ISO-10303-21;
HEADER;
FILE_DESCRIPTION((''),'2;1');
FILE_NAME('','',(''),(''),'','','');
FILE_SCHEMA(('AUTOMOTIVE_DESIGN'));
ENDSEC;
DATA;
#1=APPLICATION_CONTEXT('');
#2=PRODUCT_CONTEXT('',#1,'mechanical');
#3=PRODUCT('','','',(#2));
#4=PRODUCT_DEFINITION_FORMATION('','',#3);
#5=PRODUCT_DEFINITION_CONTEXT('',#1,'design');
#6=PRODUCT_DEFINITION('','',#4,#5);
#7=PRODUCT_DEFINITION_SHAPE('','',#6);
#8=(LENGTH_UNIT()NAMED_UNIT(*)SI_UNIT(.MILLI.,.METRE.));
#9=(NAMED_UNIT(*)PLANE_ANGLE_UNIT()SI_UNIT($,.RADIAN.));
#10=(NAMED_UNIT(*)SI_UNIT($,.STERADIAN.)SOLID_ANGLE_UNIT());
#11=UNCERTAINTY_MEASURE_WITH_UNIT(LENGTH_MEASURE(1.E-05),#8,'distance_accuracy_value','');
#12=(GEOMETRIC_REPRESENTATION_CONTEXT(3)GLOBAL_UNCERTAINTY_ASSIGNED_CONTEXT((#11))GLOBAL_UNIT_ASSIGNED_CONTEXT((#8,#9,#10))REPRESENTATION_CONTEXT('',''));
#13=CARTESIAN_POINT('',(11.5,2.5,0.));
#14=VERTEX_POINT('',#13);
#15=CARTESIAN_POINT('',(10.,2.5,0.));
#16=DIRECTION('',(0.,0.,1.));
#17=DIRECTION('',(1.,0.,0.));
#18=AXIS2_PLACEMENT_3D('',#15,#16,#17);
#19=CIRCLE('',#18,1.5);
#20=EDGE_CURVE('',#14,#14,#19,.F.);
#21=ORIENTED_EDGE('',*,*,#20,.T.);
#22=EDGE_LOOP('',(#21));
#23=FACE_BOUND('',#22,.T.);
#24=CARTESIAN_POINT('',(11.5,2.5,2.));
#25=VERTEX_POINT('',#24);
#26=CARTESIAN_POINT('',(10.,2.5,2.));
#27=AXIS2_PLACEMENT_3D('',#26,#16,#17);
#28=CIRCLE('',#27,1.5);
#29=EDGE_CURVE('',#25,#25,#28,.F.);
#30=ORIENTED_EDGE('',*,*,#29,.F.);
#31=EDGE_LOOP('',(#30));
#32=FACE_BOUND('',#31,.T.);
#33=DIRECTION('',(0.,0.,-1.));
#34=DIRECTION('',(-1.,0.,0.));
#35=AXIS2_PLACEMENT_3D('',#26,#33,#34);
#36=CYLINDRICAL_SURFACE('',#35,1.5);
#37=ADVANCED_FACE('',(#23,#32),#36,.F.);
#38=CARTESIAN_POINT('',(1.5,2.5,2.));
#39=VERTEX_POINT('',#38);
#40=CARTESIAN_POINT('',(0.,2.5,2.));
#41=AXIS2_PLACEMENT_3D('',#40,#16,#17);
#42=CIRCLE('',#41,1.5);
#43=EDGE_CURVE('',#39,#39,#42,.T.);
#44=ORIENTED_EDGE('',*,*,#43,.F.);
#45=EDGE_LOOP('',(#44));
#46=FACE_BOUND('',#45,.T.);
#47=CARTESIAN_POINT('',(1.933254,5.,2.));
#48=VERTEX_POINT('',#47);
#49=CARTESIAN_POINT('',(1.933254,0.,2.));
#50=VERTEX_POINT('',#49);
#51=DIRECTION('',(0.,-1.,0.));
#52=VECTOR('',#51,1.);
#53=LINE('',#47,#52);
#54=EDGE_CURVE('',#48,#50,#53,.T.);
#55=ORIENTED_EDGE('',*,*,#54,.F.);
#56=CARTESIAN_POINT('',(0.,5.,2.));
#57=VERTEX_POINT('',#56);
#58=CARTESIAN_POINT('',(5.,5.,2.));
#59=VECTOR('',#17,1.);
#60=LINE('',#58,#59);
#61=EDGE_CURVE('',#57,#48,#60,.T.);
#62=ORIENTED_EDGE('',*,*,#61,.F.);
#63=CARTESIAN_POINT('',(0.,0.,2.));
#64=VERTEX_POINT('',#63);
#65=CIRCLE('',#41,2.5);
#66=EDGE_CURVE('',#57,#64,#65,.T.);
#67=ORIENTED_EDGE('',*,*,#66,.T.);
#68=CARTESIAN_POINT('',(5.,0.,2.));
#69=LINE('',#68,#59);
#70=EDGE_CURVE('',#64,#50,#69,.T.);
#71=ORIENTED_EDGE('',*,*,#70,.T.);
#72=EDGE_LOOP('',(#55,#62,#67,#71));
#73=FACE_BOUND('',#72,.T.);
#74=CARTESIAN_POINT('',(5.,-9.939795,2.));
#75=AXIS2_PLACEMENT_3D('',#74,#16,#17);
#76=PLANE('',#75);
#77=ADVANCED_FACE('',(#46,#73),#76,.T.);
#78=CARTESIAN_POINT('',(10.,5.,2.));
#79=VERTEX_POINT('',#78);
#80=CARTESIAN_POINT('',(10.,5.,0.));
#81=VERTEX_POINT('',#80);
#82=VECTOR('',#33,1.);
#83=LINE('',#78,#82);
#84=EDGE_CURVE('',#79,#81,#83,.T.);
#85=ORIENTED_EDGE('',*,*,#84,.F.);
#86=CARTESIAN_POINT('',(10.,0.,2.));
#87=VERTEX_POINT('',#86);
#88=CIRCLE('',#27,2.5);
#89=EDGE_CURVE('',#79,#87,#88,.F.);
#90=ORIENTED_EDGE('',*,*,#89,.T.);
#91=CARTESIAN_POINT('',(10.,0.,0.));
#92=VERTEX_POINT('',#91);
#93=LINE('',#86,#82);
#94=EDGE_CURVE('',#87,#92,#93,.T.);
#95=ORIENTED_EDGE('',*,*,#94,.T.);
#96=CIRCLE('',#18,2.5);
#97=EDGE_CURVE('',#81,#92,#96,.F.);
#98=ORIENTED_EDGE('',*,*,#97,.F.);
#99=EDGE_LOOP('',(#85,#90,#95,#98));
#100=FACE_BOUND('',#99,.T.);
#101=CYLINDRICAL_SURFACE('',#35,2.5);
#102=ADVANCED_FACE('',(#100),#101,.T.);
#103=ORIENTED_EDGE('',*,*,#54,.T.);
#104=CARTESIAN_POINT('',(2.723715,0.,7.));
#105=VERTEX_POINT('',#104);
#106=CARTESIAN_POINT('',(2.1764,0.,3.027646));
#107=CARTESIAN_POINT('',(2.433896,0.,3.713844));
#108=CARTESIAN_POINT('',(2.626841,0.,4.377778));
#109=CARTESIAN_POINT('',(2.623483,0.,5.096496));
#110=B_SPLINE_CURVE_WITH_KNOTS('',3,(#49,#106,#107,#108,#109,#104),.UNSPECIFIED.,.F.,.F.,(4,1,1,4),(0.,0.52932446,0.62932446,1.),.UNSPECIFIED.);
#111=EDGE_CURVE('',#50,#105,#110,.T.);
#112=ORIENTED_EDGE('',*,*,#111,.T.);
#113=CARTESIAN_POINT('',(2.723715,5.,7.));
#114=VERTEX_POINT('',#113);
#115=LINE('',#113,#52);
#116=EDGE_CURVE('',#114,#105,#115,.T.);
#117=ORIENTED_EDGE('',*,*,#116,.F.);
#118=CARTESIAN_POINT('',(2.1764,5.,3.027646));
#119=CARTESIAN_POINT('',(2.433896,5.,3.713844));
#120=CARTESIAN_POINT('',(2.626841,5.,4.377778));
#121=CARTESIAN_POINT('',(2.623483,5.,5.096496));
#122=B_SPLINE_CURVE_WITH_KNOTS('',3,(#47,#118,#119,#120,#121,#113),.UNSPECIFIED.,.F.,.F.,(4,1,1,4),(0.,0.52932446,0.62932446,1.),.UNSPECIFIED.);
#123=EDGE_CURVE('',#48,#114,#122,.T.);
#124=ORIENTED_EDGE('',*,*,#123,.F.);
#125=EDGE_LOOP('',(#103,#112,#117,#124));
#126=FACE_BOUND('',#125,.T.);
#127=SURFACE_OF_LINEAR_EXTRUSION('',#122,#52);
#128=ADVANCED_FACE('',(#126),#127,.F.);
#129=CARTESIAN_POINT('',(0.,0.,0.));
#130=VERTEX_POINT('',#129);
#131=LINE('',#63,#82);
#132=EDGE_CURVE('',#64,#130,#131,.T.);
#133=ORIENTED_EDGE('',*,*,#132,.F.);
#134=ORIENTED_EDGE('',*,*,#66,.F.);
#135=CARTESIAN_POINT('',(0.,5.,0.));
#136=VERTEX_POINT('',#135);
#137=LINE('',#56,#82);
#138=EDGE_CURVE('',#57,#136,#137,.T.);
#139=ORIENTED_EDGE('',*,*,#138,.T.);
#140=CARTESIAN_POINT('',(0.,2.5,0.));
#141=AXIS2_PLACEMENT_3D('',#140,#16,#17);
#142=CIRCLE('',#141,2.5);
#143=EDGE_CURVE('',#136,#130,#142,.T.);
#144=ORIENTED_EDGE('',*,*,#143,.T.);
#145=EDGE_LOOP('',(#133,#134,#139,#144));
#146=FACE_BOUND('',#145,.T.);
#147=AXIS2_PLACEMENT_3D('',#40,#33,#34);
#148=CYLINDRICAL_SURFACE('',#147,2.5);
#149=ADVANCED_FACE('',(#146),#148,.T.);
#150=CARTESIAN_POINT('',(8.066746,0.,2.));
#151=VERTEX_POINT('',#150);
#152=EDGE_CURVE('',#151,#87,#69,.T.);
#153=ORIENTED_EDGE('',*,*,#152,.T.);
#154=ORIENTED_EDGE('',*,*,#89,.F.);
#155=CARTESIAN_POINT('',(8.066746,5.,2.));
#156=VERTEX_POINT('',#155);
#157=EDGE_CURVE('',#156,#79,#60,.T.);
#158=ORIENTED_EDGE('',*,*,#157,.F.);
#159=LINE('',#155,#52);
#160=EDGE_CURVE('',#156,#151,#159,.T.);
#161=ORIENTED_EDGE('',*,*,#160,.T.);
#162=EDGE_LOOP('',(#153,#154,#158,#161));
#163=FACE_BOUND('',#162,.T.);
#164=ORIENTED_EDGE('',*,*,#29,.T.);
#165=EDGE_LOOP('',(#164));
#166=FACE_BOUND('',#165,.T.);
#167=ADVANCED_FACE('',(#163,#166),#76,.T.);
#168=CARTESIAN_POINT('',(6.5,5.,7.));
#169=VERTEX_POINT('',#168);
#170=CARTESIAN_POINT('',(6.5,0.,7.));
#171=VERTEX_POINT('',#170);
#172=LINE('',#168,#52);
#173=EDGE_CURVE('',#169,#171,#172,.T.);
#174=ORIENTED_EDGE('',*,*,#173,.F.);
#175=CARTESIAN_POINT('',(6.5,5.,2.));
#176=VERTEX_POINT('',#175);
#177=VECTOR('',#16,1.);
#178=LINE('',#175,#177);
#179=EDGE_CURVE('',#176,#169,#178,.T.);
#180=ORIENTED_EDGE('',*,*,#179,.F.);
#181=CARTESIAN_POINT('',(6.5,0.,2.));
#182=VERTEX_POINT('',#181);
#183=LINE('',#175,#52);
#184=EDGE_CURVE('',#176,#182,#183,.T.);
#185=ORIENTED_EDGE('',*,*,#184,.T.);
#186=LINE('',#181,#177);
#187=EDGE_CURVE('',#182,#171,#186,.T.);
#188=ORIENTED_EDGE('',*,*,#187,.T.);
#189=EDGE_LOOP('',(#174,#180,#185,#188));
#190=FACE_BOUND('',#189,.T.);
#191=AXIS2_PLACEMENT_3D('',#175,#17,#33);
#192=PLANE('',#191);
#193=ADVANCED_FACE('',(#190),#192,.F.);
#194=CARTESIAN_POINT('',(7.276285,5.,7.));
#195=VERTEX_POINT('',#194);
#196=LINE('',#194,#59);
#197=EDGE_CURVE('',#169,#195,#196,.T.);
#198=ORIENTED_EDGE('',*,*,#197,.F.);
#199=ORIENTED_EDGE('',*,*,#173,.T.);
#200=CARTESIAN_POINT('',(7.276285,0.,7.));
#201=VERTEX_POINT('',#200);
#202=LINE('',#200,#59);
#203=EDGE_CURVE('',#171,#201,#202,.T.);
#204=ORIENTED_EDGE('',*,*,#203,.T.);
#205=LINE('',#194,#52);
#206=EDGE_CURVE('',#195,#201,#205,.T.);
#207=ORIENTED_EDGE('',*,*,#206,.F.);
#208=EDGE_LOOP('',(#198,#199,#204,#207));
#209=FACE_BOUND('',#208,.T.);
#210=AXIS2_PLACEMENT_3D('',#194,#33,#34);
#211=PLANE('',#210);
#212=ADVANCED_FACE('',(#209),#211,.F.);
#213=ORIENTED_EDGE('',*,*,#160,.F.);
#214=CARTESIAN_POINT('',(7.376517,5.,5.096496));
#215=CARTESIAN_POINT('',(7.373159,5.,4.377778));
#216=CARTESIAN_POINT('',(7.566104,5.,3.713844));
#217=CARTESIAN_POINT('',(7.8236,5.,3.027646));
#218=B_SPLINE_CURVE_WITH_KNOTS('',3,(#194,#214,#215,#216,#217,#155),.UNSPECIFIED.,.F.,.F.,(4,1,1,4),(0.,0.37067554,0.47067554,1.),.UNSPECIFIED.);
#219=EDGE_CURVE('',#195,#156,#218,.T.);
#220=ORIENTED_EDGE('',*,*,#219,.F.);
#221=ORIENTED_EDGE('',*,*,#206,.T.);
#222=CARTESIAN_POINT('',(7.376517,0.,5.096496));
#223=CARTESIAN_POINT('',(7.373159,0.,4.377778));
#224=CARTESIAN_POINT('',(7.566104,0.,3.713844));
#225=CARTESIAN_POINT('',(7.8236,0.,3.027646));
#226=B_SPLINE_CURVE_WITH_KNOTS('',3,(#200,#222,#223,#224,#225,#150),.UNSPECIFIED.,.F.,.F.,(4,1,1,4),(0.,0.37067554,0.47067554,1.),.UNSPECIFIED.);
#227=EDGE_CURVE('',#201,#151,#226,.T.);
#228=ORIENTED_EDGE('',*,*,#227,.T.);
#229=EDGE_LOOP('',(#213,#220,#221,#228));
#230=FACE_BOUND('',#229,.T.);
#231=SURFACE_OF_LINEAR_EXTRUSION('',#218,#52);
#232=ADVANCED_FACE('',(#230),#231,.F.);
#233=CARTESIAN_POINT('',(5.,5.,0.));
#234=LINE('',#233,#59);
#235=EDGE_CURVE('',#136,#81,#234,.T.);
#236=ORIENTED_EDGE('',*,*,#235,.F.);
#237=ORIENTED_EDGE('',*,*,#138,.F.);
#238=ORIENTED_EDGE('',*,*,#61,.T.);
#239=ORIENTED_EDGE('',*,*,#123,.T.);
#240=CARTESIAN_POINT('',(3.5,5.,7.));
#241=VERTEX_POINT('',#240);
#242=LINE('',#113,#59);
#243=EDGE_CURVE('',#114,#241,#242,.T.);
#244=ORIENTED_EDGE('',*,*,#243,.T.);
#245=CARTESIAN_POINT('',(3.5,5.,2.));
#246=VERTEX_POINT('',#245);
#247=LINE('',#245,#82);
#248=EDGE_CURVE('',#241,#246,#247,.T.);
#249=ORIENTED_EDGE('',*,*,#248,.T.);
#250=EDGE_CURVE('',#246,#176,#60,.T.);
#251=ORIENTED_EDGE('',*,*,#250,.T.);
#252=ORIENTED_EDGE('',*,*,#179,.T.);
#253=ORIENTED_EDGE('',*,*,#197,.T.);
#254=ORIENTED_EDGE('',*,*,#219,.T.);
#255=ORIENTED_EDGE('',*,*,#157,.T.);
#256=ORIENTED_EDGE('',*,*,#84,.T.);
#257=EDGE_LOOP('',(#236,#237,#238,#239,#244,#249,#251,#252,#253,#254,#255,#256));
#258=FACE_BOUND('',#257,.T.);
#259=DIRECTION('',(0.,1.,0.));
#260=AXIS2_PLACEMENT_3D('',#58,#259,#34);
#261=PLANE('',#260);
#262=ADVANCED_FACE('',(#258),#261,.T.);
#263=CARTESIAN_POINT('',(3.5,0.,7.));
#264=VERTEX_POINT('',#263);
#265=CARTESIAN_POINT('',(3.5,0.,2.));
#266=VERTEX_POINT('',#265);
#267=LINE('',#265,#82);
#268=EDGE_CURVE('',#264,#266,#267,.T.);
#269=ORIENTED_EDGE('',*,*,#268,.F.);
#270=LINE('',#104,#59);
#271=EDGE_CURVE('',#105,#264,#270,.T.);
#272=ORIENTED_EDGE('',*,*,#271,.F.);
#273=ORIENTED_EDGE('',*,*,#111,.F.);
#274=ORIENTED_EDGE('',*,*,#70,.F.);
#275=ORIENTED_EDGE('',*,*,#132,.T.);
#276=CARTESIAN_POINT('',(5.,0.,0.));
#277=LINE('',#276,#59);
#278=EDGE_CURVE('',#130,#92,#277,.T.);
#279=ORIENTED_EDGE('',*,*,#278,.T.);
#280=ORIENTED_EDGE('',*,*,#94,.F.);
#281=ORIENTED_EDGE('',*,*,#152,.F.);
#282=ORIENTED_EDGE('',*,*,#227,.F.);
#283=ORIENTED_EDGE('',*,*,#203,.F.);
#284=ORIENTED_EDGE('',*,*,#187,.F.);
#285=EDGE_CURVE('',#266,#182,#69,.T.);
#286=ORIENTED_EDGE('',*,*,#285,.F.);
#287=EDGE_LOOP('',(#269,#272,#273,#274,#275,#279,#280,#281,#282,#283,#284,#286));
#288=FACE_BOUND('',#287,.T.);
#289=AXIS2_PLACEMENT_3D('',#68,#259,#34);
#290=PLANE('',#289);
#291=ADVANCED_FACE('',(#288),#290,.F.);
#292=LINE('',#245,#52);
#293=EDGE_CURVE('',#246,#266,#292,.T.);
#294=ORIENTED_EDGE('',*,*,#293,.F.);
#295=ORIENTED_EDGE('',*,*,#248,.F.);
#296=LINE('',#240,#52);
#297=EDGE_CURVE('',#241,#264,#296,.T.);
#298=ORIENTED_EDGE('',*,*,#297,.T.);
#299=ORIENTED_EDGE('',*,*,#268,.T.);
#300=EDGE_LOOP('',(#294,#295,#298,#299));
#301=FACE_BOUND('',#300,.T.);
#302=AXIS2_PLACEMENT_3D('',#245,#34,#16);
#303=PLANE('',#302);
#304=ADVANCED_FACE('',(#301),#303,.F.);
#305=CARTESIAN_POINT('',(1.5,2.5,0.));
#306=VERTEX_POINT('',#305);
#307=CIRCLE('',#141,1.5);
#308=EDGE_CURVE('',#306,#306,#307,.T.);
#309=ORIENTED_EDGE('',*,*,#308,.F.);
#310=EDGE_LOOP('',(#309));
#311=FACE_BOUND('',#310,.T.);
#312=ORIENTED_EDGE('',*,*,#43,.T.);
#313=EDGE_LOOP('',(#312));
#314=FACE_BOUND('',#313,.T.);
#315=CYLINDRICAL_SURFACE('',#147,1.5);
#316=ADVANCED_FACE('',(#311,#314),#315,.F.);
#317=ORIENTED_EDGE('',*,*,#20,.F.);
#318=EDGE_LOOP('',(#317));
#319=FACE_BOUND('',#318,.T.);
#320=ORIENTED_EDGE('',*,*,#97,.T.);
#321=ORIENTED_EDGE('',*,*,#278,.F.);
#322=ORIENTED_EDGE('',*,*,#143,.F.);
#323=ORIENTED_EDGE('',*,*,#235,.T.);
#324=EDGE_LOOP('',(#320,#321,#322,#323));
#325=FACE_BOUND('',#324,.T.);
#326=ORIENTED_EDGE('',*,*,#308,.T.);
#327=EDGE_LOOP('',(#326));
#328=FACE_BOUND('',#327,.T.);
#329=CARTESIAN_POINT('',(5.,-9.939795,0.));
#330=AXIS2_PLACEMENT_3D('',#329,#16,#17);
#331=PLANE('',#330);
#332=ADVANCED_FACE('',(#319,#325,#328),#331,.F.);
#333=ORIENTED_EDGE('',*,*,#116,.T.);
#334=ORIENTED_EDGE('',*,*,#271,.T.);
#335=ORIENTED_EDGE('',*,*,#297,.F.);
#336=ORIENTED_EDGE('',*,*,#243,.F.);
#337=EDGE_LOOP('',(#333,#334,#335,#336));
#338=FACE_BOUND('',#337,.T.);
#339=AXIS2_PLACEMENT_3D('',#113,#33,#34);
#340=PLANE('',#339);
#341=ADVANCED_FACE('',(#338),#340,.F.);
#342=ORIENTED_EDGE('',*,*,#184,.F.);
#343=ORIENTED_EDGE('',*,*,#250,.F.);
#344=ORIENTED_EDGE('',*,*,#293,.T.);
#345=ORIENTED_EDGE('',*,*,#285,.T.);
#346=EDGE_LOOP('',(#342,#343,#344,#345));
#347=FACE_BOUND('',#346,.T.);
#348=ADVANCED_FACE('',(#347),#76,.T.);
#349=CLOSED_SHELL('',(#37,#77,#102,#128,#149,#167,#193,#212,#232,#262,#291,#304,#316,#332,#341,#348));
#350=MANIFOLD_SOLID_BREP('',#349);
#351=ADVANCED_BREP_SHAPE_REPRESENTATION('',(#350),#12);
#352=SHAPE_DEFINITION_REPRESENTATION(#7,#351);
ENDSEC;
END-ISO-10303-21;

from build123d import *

# Parameters (mm, degrees)
SKETCH1_R           = 1.5
BOSS_EXTRUDE1_DEPTH = 2
BOSS_EXTRUDE2_DEPTH = 5


with BuildPart() as part:
    # Sketch1 → Boss-Extrude1 (new body)
    with BuildSketch(Plane.XY):
        with BuildLine():
            Line((0, 0), (10, 0))
            ThreePointArc((10, 0), (12.5, 2.5), (10, 5))
            Line((10, 5), (0, 5))
            ThreePointArc((0, 5), (-2.5, 2.5), (0, 0))
        make_face()
        with Locations((0, 2.5)):
            Circle(SKETCH1_R, mode=Mode.SUBTRACT)
        with Locations((10, 2.5)):
            Circle(SKETCH1_R, mode=Mode.SUBTRACT)
    extrude(amount=BOSS_EXTRUDE1_DEPTH)

    # Sketch2 → Boss-Extrude2 (add)
    with BuildSketch(Plane(origin=(0, 0, 0), x_dir=(1, 0, 0), z_dir=(0, 1, 0))):
        with BuildLine():
            Line((2.723714879, -2), (3.5, -2))
            Line((3.5, -2), (3.5, -7))
            Line((3.5, -7), (2.723714879, -7))
            add(Edge.make_bspline(
                [(2.723714879, -7), (2.623482732, -5.096496359), (2.626841272, -4.377777821), (2.43389568, -3.713843944), (2.176399926, -3.027645535), (1.933254484, -2)],
                knots=[0, 0, 0, 0, 0.37067554, 0.47067554, 1, 1, 1, 1], degree=3))
            Line((1.933254484, -2), (2.723714879, -2))
        make_face()
        with BuildLine():
            Line((8.066745516, -2), (7.276285121, -2))
            Line((7.276285121, -2), (6.5, -2))
            Line((6.5, -2), (6.5, -7))
            Line((6.5, -7), (7.276285121, -7))
            add(Edge.make_bspline(
                [(7.276285121, -7), (7.376517268, -5.096496359), (7.373158728, -4.377777821), (7.56610432, -3.713843944), (7.823600074, -3.027645535), (8.066745516, -2)],
                knots=[0, 0, 0, 0, 0.37067554, 0.47067554, 1, 1, 1, 1], degree=3))
        make_face()
    extrude(amount=BOSS_EXTRUDE2_DEPTH)


solid = part.part
